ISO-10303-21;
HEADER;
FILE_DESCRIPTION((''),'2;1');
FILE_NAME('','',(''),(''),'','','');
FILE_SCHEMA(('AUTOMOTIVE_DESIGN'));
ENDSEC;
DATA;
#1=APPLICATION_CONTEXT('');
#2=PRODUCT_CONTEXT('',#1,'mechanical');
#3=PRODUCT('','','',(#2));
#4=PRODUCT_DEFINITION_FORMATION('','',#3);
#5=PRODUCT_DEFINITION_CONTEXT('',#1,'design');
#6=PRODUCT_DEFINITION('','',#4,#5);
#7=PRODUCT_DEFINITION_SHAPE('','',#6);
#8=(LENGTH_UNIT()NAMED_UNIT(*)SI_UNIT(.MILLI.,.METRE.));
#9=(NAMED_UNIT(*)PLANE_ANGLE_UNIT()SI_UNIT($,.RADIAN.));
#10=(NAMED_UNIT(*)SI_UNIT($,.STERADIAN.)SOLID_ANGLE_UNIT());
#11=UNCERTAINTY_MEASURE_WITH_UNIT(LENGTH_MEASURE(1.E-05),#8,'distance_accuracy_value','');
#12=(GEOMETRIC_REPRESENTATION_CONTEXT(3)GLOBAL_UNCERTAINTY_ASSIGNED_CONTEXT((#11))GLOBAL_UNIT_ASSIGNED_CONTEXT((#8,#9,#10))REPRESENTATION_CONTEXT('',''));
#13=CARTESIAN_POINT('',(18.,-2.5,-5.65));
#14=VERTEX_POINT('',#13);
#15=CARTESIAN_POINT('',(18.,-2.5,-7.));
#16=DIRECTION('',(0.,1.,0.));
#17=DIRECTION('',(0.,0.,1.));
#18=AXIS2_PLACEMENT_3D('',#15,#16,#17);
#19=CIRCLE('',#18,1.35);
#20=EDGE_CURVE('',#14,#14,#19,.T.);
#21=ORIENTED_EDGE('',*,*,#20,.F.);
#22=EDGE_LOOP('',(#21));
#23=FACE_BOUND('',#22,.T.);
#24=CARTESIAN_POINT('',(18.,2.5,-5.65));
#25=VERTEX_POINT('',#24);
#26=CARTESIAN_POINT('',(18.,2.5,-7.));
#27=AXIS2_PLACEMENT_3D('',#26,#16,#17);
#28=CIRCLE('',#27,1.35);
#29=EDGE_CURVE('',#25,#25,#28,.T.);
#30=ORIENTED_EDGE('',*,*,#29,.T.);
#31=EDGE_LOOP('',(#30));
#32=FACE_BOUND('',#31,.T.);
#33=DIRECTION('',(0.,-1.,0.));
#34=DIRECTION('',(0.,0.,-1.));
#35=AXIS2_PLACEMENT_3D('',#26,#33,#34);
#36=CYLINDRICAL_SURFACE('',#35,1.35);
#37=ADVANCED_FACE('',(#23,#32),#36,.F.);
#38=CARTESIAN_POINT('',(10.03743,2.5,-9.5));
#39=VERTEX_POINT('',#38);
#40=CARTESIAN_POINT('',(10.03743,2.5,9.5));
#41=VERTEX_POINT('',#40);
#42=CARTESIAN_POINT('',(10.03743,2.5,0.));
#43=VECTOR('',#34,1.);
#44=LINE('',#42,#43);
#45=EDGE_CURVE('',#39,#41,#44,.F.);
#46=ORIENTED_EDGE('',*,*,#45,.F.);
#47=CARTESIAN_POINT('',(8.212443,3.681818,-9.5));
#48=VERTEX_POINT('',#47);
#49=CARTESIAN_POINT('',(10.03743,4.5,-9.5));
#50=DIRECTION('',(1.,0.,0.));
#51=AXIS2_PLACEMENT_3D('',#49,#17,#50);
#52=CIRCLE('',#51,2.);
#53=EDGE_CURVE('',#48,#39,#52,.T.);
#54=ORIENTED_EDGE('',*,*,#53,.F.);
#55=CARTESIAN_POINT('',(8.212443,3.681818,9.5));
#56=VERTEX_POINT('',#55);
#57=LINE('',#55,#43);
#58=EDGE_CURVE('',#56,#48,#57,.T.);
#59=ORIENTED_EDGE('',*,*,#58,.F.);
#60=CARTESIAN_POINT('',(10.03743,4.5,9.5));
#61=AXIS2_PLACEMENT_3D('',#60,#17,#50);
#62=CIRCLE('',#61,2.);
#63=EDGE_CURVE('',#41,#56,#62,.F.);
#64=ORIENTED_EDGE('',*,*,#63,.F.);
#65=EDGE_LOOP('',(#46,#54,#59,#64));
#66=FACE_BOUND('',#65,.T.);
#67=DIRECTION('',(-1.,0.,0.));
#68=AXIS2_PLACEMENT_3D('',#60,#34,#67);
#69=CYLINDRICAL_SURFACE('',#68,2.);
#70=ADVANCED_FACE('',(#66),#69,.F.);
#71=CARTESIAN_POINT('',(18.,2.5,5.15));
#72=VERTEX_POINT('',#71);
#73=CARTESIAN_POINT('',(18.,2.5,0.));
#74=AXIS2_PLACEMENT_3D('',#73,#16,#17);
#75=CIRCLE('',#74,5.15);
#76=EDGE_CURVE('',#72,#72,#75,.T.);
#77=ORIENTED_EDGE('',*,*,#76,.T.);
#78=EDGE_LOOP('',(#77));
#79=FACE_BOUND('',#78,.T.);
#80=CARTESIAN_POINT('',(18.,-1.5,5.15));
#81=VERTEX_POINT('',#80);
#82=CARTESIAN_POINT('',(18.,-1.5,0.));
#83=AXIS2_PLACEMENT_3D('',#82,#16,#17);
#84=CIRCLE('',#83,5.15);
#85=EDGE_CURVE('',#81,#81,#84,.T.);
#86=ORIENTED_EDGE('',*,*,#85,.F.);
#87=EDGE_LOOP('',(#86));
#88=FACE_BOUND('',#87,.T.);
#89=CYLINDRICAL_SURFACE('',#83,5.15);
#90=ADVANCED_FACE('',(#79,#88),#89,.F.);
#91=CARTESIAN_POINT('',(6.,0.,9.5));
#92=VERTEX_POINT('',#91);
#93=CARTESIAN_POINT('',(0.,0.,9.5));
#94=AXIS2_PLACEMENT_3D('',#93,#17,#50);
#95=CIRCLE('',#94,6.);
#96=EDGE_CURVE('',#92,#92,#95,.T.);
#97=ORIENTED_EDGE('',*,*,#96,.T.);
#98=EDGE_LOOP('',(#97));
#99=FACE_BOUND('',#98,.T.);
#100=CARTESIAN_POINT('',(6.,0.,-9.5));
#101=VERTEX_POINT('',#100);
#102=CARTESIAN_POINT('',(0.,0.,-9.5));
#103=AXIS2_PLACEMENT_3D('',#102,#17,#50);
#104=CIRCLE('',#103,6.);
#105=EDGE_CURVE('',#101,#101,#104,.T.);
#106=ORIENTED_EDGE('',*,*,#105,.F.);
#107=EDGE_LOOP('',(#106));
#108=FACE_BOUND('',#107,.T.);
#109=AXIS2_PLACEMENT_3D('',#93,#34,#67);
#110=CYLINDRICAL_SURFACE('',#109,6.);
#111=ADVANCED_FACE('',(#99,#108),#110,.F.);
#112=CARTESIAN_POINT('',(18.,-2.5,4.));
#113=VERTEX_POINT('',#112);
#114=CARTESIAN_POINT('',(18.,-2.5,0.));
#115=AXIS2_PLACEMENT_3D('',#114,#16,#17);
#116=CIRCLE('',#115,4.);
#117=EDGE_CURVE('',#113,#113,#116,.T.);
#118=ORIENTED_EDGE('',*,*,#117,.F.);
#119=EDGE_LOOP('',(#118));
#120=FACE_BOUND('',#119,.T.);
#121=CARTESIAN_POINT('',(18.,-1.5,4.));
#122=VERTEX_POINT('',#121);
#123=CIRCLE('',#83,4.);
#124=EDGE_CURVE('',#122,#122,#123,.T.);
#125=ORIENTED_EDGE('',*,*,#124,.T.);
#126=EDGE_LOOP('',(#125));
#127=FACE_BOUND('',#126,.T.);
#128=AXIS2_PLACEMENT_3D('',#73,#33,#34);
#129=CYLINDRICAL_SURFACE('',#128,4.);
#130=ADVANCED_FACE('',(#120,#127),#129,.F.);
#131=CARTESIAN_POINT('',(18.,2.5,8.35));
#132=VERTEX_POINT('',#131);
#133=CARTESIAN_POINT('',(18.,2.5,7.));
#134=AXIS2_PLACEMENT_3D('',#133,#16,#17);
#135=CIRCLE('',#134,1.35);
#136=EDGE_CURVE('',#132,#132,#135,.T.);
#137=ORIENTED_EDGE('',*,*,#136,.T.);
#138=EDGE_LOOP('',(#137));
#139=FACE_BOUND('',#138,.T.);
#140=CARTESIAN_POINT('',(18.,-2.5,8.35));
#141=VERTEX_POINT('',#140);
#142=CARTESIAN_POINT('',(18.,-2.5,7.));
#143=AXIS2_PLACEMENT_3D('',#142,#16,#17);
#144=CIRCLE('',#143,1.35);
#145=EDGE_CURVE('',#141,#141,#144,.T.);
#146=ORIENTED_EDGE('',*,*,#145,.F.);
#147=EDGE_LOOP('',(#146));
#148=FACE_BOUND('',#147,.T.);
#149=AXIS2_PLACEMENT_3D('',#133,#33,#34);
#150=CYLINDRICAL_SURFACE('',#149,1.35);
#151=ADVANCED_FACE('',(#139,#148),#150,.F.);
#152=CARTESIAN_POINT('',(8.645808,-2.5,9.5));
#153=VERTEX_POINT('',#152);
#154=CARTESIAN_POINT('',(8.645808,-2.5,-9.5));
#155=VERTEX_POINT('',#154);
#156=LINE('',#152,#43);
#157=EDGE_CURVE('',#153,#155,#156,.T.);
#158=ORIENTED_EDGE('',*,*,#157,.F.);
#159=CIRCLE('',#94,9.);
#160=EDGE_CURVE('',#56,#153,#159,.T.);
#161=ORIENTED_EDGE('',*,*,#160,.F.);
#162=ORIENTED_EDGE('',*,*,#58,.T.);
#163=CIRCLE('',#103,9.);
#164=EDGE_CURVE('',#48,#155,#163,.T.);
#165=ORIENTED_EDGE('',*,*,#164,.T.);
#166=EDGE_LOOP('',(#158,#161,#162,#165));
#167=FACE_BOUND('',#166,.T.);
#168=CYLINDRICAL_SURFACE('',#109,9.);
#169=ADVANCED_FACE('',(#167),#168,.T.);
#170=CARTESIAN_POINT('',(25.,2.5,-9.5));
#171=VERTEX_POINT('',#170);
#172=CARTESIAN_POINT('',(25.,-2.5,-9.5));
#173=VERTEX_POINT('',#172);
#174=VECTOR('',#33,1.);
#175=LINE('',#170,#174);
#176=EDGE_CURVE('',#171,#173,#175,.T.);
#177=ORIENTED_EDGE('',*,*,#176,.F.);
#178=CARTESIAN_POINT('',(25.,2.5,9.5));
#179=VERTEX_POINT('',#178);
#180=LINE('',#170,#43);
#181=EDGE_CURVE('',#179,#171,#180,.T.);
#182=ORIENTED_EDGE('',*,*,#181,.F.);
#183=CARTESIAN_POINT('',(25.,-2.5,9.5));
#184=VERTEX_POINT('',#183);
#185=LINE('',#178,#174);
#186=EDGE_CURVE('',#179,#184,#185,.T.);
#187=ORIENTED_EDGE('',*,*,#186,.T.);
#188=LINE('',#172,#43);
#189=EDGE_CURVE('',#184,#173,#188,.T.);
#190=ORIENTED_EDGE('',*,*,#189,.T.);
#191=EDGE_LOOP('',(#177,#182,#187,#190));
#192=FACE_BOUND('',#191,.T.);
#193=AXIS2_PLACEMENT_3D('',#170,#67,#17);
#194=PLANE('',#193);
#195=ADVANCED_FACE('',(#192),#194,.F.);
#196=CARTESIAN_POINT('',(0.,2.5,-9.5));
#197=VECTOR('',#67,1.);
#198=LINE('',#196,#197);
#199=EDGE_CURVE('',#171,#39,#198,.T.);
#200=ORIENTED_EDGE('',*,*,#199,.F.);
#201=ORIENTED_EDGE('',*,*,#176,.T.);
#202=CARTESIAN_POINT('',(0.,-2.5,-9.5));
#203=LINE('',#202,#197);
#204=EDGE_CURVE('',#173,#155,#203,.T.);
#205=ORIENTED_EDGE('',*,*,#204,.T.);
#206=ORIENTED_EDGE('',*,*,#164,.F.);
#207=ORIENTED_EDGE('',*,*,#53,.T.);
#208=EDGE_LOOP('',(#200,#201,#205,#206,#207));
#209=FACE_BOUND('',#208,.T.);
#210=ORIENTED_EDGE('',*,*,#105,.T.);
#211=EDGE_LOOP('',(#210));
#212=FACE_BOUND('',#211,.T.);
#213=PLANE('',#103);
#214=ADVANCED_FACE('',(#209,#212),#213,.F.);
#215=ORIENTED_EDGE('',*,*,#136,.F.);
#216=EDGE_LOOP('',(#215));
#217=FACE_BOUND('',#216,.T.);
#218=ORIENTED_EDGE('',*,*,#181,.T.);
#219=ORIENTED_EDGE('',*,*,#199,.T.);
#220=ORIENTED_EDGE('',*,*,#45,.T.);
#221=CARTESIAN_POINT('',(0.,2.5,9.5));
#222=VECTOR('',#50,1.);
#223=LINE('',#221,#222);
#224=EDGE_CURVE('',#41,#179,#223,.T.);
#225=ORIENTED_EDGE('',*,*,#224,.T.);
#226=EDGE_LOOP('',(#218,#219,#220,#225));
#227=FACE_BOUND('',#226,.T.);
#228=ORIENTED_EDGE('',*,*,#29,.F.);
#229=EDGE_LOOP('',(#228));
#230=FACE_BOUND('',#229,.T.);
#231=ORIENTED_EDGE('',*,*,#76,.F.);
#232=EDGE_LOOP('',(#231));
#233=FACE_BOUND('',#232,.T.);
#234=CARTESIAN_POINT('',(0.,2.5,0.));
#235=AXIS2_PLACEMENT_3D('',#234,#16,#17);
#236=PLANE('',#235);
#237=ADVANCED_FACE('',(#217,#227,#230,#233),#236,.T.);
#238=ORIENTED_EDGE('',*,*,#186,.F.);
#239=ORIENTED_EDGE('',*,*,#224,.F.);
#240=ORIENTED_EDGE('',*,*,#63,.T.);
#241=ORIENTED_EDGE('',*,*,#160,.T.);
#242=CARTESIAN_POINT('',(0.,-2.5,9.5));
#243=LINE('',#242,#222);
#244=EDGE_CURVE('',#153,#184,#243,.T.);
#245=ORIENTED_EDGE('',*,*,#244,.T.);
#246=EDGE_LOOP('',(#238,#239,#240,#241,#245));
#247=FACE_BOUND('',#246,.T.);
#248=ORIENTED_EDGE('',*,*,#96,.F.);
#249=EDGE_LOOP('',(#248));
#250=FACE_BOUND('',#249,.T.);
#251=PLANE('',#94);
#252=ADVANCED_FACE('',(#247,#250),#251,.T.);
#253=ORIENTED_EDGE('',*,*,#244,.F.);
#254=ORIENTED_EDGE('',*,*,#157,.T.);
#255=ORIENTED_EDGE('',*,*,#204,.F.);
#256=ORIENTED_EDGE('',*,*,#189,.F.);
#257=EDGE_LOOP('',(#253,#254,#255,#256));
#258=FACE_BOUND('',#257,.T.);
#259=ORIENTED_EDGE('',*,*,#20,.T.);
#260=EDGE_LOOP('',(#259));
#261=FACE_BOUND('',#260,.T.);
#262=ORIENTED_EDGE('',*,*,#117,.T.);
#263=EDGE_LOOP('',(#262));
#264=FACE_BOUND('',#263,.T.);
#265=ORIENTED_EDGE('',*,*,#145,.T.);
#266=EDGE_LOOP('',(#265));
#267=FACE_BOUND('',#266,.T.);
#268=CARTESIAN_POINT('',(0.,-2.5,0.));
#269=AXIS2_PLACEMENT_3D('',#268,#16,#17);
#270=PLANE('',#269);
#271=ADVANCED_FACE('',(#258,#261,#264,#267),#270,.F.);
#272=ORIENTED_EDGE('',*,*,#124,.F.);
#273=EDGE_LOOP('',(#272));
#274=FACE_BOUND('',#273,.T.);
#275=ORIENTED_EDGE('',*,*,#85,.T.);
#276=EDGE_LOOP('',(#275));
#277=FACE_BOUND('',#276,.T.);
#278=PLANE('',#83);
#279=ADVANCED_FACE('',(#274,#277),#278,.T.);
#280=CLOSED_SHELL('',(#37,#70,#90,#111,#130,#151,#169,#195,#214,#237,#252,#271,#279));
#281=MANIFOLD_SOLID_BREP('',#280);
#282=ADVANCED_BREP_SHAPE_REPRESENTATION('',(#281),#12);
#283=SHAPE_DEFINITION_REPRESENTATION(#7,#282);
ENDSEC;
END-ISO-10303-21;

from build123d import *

# Parameters (mm, degrees)
SKETCH1_R                  = 9
SKETCH1_R_2                = 6
MAIN_DEPTH                 = 9.5
SKETCH2_W                  = 25
SKETCH2_H                  = 19
SKETCH2_R                  = 4
SKETCH2_R_2                = 1.35
BALLSUPPORTEXTRUSION_DEPTH = 2.5
SKETCH3_R                  = 5.15
BALLSUPPORTHOLE_DEPTH      = 4
FILLET2_R                  = 2
SKETCH5_R                  = 6
CUT_EXTRUDE2_DEPTH         = 20


with BuildPart() as part:
    # Sketch1 → Main (new body, symmetric)
    with BuildSketch(Plane.XY):
        Circle(SKETCH1_R)
        Circle(SKETCH1_R_2, mode=Mode.SUBTRACT)
    extrude(amount=MAIN_DEPTH, both=True)

    # Sketch2 → BallSupportExtrusion (add, symmetric)
    with BuildSketch(Plane(origin=(0, 0, 0), x_dir=(1, 0, 0), z_dir=(0, 1, 0))):
        with Locations((12.5, 0)):
            Rectangle(SKETCH2_W, SKETCH2_H)
        with Locations((18, 0)):
            Circle(SKETCH2_R, mode=Mode.SUBTRACT)
        with Locations((18, 7)):
            Circle(SKETCH2_R_2, mode=Mode.SUBTRACT)
        with Locations((18, -7)):
            Circle(SKETCH2_R_2, mode=Mode.SUBTRACT)
    extrude(amount=BALLSUPPORTEXTRUSION_DEPTH, both=True)

    # Sketch3 → BallSupportHole (cut)
    with BuildSketch(Plane(origin=(0, 2.5, 0), x_dir=(1, 0, 0), z_dir=(0, 1, 0))):
        with Locations((18, 0)):
            Circle(SKETCH3_R)
    extrude(amount=-BALLSUPPORTHOLE_DEPTH, mode=Mode.SUBTRACT)

    # Fillet2
    fillet2_edges = [part.edges().sort_by_distance(p)[0] for p in [
        (8.645808233, 2.5, 0),
    ]]
    fillet(fillet2_edges, radius=FILLET2_R)

    # Sketch5 → Cut-Extrude2 (cut, through all)
    with BuildSketch(Plane.XY.offset(9.5)):
        Circle(SKETCH5_R)
    extrude(amount=-CUT_EXTRUDE2_DEPTH, mode=Mode.SUBTRACT)


solid = part.part
